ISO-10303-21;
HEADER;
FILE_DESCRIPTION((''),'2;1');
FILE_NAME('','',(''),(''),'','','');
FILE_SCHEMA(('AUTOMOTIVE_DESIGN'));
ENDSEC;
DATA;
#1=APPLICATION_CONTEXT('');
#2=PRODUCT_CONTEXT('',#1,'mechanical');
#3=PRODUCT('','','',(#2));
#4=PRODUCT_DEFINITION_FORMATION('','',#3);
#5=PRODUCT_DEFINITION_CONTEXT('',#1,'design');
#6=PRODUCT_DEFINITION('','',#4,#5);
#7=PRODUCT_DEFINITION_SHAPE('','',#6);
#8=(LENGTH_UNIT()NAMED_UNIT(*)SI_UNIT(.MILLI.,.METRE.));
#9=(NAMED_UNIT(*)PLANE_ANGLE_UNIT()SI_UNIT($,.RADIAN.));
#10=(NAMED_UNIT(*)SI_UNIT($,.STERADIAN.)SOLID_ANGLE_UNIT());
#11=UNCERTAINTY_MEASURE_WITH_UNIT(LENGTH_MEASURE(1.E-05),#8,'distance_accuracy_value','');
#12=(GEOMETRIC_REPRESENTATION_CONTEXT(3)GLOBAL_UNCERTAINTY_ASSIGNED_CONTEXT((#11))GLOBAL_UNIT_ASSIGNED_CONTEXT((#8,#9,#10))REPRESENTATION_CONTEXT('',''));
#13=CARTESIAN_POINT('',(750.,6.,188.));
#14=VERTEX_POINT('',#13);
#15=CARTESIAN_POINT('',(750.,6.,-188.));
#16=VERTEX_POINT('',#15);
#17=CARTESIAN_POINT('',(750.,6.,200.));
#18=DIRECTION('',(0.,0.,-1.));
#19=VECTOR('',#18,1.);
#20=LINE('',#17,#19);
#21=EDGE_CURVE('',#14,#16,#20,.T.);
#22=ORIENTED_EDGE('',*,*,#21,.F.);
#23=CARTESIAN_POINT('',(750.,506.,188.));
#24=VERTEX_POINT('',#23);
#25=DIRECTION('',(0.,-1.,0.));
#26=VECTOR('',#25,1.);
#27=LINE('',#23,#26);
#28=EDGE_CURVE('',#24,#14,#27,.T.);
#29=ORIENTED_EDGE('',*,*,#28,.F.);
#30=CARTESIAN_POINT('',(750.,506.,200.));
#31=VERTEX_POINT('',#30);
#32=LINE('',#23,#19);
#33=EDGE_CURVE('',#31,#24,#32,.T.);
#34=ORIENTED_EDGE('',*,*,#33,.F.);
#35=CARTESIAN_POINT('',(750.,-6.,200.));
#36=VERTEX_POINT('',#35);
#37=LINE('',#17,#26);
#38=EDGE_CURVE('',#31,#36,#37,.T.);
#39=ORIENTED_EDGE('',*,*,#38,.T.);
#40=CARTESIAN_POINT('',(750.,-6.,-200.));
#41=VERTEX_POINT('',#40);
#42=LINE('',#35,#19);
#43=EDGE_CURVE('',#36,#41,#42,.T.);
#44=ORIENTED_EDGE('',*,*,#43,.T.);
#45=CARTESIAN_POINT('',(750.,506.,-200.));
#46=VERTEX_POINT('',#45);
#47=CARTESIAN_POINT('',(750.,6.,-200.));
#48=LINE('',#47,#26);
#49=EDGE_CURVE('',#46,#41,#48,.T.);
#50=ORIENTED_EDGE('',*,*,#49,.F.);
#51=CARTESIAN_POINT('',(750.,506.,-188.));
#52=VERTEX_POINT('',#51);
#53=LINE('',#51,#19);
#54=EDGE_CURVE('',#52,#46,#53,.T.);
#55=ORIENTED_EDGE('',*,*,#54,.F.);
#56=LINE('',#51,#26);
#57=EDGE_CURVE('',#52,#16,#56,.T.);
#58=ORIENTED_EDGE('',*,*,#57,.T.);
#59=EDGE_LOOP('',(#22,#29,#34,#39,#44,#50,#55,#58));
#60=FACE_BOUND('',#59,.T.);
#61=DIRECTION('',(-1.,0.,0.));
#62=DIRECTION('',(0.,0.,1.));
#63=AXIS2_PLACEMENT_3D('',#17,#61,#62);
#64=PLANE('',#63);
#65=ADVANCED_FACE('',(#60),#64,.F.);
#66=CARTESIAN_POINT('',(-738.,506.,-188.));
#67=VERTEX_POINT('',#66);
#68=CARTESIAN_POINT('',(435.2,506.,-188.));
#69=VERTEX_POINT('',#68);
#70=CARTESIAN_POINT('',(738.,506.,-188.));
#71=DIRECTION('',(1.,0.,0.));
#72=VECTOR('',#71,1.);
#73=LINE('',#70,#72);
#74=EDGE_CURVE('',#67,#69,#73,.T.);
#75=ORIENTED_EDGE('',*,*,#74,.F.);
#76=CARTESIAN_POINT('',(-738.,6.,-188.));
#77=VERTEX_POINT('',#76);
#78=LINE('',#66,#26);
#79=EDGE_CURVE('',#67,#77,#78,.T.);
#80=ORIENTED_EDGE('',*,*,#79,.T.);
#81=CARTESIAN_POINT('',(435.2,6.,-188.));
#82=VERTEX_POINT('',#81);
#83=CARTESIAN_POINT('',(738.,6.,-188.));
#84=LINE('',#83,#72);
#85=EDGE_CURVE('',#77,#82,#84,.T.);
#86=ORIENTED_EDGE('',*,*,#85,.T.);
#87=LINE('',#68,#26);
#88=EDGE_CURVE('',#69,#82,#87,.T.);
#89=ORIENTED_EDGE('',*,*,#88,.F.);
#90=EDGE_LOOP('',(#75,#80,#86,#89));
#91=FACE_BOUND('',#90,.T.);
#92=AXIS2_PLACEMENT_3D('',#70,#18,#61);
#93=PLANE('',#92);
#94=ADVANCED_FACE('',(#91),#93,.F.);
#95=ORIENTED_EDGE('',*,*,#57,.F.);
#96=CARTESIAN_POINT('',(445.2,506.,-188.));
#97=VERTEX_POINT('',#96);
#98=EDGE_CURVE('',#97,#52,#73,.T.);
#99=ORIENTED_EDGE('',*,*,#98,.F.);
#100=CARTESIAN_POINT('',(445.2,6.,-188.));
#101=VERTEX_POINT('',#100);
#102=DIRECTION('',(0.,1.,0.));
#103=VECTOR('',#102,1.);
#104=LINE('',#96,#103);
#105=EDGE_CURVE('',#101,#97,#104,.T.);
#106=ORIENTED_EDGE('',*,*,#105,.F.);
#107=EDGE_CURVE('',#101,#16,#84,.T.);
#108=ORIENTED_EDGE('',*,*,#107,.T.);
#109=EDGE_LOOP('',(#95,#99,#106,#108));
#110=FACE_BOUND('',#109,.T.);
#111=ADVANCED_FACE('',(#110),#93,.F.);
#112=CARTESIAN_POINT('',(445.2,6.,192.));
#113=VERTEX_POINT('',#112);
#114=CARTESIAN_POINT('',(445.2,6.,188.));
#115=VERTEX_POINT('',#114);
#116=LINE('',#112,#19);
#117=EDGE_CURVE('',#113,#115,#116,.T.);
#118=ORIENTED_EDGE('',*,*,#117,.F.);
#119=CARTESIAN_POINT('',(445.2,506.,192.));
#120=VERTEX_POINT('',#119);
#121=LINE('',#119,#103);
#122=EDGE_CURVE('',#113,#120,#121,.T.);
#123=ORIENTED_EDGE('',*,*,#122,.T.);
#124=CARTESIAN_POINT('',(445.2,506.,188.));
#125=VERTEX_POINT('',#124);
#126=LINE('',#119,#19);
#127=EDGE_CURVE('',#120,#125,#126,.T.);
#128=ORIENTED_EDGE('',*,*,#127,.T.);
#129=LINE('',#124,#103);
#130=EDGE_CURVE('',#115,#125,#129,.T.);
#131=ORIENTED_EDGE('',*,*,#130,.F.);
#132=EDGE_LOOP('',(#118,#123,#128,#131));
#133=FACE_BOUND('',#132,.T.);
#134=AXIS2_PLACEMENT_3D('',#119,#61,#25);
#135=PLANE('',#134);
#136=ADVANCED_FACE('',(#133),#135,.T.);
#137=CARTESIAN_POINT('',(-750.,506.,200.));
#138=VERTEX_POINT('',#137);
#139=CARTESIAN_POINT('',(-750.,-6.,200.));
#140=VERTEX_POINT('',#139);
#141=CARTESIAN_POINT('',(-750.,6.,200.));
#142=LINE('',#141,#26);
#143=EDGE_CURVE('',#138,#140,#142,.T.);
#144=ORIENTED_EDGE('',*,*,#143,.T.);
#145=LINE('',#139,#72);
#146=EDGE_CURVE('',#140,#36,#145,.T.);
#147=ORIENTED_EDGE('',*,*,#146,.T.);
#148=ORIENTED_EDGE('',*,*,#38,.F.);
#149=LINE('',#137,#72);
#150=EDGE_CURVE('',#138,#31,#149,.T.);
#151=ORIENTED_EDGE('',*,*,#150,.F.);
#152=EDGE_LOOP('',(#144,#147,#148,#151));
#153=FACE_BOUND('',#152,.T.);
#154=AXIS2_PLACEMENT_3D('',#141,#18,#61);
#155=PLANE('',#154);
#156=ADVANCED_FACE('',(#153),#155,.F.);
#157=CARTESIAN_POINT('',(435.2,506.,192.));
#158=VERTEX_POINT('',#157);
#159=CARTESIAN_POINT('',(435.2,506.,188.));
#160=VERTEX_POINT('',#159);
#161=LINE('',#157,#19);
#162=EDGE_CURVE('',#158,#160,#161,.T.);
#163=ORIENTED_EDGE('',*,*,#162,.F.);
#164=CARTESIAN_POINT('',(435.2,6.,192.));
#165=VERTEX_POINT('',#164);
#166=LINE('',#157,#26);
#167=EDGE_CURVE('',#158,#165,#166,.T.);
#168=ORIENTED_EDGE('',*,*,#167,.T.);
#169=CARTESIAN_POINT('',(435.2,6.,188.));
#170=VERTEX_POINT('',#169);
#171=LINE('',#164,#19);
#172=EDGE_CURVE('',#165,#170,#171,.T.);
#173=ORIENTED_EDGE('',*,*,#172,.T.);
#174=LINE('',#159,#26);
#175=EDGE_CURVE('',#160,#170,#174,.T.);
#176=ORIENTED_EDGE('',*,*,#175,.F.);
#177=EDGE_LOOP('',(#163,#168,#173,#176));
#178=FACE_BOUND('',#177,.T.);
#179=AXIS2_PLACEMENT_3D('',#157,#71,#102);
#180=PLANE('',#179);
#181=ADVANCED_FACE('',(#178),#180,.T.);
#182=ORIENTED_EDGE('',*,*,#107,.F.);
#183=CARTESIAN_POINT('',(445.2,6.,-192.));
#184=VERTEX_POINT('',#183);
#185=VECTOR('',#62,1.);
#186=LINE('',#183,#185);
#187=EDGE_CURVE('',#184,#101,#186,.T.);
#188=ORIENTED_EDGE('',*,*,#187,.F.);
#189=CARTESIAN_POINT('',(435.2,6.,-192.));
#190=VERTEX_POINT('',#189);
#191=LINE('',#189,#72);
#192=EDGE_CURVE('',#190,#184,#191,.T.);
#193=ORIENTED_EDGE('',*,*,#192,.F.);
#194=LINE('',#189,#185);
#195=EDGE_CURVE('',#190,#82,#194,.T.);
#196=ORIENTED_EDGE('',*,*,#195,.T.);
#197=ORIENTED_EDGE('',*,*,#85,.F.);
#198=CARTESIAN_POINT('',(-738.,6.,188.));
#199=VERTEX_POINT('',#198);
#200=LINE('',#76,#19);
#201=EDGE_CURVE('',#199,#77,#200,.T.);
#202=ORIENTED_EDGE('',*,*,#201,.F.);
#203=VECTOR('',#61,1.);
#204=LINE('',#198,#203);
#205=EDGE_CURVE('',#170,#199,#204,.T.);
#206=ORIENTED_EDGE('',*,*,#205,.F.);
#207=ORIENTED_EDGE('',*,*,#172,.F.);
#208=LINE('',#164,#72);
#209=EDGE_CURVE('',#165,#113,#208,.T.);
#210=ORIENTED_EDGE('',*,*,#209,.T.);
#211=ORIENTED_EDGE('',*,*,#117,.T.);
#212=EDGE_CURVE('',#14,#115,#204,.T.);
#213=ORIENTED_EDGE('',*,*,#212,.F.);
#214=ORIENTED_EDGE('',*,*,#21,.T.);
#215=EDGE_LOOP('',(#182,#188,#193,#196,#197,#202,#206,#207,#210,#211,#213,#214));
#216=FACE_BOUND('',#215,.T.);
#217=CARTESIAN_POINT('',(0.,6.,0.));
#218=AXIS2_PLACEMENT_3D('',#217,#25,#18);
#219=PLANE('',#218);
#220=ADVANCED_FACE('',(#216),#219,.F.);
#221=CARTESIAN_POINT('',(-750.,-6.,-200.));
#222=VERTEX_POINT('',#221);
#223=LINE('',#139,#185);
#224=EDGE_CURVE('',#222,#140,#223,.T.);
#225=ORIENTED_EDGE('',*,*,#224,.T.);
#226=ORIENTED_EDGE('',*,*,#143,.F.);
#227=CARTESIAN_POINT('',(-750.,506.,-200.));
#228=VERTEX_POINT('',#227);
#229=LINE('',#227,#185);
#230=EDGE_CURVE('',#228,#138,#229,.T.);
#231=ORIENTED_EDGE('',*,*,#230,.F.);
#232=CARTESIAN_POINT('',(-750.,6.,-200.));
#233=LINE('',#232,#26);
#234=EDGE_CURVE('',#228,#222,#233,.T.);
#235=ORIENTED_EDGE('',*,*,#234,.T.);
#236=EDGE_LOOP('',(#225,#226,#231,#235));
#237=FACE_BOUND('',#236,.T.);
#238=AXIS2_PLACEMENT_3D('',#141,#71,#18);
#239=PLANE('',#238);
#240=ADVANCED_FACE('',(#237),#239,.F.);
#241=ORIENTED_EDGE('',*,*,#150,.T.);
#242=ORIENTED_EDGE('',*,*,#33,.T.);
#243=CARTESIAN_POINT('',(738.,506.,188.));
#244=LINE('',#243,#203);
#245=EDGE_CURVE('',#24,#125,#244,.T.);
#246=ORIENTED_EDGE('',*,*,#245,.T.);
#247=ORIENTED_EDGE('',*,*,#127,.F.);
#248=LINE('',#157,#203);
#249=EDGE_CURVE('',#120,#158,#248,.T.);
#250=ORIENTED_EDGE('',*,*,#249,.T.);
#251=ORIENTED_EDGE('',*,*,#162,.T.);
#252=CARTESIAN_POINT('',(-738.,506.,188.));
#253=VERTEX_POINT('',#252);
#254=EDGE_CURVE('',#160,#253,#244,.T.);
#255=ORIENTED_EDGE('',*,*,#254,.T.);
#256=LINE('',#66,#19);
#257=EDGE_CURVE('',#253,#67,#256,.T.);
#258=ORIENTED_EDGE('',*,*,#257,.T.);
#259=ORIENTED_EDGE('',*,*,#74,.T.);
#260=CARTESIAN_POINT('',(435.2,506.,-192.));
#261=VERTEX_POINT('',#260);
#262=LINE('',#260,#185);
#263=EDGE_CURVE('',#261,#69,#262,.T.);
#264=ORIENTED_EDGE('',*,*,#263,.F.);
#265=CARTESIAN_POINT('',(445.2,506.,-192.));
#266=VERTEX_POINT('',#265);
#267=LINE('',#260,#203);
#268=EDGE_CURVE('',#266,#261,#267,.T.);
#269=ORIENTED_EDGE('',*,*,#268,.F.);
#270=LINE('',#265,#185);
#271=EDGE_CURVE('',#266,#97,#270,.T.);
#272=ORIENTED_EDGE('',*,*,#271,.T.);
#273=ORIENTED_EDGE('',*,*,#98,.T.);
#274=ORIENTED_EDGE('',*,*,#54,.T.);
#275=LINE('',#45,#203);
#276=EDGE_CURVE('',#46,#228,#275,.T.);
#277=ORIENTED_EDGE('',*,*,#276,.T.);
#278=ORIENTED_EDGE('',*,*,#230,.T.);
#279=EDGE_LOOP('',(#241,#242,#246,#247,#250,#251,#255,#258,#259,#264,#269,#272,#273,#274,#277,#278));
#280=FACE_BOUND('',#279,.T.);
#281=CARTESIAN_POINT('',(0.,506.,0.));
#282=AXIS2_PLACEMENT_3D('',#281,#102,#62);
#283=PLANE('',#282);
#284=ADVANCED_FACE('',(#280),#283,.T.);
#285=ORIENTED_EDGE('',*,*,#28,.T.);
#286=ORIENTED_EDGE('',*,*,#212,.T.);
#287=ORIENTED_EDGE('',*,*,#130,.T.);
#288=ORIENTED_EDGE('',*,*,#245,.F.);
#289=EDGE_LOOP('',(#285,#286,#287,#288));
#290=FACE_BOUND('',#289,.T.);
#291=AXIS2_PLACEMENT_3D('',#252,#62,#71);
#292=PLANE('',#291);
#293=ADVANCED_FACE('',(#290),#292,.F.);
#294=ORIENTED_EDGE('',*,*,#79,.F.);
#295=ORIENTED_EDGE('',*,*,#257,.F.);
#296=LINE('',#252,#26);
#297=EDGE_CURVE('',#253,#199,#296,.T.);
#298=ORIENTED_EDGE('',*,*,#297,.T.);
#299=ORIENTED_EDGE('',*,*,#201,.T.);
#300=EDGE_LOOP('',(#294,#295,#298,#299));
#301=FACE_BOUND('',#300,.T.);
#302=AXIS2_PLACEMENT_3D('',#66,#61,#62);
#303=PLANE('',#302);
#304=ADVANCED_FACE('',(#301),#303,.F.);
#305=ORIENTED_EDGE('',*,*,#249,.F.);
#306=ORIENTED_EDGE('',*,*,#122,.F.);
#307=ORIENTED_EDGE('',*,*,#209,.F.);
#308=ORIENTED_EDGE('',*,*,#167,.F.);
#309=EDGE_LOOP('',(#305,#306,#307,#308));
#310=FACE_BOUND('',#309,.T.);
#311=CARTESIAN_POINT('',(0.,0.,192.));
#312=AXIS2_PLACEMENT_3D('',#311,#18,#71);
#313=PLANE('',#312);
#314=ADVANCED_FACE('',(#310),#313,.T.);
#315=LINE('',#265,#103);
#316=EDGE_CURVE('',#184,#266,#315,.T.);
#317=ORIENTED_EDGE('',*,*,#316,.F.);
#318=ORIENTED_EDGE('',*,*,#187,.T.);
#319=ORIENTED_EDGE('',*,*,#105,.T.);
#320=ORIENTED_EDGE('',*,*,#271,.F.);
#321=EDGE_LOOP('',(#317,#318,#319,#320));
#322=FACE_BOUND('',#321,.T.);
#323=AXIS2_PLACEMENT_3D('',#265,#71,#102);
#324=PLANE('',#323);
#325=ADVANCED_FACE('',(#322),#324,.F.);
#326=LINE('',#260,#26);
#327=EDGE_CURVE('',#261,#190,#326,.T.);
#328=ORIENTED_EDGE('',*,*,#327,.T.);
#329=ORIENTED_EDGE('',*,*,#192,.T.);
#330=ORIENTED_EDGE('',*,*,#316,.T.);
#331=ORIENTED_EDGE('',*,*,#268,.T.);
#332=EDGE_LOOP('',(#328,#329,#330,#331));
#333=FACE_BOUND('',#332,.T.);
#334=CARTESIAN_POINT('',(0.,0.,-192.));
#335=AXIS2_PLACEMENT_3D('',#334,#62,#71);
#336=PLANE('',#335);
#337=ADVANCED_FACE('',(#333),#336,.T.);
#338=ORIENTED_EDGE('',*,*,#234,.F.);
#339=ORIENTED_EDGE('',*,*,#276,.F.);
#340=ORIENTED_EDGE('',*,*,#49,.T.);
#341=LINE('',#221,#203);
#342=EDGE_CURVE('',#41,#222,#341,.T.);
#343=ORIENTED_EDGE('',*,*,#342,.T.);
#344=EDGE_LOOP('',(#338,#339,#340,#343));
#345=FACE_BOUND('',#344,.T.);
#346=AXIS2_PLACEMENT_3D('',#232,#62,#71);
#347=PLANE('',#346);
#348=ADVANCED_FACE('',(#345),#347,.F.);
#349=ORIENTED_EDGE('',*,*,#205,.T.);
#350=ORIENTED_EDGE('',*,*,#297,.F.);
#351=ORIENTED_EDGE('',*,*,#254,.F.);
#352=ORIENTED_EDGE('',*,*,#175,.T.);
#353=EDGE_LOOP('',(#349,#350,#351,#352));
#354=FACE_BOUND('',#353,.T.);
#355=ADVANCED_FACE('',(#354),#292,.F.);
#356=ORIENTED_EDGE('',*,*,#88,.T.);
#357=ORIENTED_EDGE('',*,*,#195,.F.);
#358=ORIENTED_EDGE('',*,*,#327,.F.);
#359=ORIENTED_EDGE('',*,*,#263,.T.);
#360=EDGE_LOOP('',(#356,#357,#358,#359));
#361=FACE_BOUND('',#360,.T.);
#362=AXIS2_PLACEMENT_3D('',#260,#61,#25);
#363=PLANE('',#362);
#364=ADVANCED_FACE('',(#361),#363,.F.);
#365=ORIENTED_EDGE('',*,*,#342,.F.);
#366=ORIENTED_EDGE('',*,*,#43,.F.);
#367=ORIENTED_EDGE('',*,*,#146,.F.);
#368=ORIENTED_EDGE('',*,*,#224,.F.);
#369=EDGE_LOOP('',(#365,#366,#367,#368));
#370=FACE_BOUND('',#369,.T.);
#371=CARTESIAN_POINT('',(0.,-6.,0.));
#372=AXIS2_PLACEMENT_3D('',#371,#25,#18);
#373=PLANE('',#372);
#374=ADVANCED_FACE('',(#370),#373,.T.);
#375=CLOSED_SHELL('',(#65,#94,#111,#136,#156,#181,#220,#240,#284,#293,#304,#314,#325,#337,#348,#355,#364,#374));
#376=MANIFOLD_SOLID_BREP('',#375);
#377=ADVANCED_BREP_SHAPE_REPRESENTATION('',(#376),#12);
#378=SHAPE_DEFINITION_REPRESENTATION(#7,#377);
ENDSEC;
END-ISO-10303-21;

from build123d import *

# Parameters (mm, degrees)
SKETCH1_W           = 1500
SKETCH1_H           = 400
BOSS_EXTRUDE1_DEPTH = 6
BOSS_EXTRUDE2_DEPTH = 500
SKETCH3_W           = 10
SKETCH3_H           = 500
CUT_EXTRUDE1_DEPTH  = 4


with BuildPart() as part:
    # Sketch1 → Boss-Extrude1 (new, symmetric)
    with BuildSketch(Plane(origin=(0, 0, 0), x_dir=(1, 0, 0), z_dir=(0, 1, 0))):
        Rectangle(SKETCH1_W, SKETCH1_H)
    extrude(amount=BOSS_EXTRUDE1_DEPTH, both=True)

    # Sketch2 → Boss-Extrude2 (add)
    with BuildSketch(Plane(origin=(0, 6, 0), x_dir=(1, 0, 0), z_dir=(0, 1, 0))):
        Polygon((738, 188), (750, 188), (750, 200), (-750, 200), (-750, -200), (750, -200), (750, -188), (738, -188), (-738, -188), (-738, 188), align=None)
    extrude(amount=BOSS_EXTRUDE2_DEPTH)

    # Sketch3 → Cut-Extrude1 (cut)
    with BuildSketch(Plane.XY.offset(-188)):
        with Locations((440.2, 256)):
            Rectangle(SKETCH3_W, SKETCH3_H)
    cut_extrude1 = extrude(amount=-CUT_EXTRUDE1_DEPTH, mode=Mode.SUBTRACT)

    # Mirror1: Cut-Extrude1 across plane
    add(cut_extrude1.mirror(Plane.XY), mode=Mode.SUBTRACT)


solid = part.part
